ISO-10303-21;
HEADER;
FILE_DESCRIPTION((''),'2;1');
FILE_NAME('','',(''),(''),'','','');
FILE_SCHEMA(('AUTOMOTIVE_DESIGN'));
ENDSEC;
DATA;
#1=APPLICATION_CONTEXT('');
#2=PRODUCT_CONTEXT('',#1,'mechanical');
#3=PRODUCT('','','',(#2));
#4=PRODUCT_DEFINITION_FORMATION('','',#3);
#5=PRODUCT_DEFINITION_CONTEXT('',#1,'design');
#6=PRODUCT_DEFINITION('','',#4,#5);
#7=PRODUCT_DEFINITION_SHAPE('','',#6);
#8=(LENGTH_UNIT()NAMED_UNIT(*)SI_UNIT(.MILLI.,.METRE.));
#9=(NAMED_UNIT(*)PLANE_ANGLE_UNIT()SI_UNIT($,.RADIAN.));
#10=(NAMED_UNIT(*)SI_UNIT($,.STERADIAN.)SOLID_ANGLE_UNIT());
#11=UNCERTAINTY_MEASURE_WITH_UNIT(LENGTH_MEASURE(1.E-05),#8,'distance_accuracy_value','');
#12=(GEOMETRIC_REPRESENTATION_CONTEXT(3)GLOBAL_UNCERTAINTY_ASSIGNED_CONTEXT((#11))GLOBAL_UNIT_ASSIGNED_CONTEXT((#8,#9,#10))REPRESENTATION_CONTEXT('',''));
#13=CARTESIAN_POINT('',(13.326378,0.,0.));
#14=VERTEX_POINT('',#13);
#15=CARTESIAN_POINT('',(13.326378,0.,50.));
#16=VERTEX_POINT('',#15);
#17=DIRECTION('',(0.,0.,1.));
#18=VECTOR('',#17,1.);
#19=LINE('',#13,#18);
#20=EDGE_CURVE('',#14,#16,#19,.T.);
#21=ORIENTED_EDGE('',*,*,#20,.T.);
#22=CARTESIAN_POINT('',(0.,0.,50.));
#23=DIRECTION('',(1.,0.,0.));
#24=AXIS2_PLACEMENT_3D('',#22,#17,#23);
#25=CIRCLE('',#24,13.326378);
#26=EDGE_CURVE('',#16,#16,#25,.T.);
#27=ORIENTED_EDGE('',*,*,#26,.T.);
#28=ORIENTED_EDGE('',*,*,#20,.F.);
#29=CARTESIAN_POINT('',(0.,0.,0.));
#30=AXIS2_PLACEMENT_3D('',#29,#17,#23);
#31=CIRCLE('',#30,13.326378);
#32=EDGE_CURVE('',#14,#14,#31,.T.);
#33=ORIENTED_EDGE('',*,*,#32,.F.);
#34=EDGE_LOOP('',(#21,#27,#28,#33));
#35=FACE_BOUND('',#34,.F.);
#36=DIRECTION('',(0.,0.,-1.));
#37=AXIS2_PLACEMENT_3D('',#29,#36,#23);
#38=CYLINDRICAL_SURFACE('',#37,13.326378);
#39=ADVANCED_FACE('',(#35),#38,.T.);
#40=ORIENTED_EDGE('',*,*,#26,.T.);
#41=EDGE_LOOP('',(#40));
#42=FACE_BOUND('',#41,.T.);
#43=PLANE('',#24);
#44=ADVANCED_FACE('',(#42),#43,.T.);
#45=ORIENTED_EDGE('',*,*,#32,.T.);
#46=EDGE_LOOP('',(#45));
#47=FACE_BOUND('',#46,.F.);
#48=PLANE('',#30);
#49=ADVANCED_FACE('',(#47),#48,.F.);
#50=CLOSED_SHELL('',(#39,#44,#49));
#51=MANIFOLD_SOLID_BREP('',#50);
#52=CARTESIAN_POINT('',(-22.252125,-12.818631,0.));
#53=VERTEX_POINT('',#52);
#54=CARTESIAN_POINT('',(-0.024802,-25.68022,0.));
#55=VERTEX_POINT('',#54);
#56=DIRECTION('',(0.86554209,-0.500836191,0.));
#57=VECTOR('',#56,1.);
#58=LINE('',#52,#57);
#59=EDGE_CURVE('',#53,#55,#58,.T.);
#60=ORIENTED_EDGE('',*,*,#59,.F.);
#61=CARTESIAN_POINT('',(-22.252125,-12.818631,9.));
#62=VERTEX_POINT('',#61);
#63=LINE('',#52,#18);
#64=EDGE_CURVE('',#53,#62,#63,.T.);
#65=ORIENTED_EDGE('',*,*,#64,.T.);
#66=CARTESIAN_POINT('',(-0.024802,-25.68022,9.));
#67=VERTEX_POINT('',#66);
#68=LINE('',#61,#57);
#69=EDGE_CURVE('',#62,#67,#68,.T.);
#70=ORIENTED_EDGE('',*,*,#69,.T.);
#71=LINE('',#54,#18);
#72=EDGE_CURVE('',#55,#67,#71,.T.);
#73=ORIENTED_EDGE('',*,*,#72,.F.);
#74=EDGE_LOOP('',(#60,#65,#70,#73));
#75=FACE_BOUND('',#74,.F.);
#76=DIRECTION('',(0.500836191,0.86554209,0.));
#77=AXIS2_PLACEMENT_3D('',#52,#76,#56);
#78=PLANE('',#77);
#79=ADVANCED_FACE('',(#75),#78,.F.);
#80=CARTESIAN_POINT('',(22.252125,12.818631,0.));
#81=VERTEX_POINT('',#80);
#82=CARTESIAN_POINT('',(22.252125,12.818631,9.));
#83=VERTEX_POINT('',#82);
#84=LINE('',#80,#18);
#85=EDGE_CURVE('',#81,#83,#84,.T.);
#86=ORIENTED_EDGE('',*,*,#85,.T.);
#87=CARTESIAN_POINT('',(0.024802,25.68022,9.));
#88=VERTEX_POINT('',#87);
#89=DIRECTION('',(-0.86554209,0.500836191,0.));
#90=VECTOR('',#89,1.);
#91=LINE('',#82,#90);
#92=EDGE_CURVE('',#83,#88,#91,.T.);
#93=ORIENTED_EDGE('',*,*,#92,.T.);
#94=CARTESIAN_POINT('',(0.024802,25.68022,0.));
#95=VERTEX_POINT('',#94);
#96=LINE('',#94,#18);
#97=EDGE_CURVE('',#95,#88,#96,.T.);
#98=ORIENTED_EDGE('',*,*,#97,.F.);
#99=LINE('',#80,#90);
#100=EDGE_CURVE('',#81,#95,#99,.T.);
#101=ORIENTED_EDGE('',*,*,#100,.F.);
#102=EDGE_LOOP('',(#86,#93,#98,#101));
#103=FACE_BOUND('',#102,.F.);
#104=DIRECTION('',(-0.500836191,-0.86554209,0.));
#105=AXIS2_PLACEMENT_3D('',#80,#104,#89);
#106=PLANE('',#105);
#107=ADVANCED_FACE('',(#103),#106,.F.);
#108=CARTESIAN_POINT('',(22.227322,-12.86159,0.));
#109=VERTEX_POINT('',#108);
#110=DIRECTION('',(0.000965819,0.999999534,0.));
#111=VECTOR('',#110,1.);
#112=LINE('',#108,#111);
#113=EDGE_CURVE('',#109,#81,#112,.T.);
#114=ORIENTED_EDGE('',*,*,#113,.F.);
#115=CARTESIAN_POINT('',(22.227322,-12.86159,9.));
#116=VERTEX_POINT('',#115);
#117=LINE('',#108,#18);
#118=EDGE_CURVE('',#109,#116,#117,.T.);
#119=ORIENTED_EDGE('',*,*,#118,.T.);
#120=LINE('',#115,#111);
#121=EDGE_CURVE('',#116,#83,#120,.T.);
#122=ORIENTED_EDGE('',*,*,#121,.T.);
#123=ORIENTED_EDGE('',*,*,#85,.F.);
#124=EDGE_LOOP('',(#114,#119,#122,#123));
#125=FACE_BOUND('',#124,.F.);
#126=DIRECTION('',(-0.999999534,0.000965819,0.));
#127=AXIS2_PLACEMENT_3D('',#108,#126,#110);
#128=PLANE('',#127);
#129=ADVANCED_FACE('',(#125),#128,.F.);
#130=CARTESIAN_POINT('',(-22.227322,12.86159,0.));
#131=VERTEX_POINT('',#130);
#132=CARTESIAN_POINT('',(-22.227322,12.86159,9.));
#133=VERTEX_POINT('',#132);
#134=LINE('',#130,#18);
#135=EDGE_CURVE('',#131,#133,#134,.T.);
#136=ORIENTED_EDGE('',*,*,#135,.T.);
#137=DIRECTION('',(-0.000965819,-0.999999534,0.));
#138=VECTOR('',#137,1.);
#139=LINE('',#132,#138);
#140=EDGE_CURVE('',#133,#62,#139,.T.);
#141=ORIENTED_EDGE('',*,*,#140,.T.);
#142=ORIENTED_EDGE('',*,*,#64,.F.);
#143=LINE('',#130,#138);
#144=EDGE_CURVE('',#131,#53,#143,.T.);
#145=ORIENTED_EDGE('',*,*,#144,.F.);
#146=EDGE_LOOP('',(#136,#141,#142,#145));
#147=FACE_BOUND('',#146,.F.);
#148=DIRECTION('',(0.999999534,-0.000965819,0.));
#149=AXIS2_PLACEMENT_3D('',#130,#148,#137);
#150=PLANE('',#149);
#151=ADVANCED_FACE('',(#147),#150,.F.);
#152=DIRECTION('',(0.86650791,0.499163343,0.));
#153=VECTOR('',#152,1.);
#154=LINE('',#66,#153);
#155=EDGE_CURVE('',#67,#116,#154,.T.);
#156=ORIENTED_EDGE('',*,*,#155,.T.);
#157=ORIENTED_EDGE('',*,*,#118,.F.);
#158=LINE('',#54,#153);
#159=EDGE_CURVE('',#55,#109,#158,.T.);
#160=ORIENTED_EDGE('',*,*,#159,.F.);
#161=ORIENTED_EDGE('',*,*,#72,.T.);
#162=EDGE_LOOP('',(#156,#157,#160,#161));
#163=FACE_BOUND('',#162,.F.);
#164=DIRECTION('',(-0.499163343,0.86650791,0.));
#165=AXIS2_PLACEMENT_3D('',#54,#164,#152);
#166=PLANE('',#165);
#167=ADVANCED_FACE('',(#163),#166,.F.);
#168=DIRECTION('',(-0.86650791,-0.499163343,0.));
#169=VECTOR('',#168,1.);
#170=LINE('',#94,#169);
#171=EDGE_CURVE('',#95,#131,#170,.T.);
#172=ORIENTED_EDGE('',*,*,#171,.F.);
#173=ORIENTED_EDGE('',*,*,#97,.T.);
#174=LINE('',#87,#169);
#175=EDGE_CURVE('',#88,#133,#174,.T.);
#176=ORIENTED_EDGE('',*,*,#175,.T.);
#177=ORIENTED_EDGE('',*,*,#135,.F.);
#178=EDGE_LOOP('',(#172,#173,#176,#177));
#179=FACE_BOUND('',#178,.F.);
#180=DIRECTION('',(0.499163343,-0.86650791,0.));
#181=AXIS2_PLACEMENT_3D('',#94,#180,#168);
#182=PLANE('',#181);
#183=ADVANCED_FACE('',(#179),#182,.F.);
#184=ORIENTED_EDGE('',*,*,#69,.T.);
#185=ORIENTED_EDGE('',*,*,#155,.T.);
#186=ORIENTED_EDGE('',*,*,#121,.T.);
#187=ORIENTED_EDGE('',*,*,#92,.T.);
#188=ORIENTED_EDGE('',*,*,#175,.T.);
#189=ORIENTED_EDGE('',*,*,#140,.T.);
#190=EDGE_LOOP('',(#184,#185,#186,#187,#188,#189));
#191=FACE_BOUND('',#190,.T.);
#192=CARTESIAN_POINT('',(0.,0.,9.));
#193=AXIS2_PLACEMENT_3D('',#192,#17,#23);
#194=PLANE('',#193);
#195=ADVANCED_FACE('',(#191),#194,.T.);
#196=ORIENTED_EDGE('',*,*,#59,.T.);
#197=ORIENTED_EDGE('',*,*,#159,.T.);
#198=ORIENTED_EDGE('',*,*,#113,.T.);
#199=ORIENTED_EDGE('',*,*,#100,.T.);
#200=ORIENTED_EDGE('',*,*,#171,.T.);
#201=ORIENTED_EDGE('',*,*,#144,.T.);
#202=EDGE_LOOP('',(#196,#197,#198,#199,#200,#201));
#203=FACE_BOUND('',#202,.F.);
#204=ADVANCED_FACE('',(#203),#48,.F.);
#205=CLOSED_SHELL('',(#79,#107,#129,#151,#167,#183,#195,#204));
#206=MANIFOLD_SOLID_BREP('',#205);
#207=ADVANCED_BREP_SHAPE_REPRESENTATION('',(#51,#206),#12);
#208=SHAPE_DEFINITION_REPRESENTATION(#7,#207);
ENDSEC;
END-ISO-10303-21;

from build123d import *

# Parameters (mm, degrees)
F1_DEPTH = 9
F2_R     = 13.3263781117
F3_DEPTH = 50


with BuildPart() as f1:
    # F0 (on Top) → F1 (new body)
    with BuildSketch(Plane.XY):
        Polygon((22.2521245334, 12.818630667), (0.0248024674, 25.6802204676), (-22.227322066, 12.8615898006), (-22.2521245334, -12.818630667), (-0.0248024674, -25.6802204676), (22.227322066, -12.8615898006), align=None)
    extrude(amount=F1_DEPTH)


with BuildPart() as f3:
    # F2 (on Top) → F3 (new body)
    with BuildSketch(Plane.XY):
        Circle(F2_R)
    extrude(amount=F3_DEPTH)


solid = Compound([f1.part, f3.part])
